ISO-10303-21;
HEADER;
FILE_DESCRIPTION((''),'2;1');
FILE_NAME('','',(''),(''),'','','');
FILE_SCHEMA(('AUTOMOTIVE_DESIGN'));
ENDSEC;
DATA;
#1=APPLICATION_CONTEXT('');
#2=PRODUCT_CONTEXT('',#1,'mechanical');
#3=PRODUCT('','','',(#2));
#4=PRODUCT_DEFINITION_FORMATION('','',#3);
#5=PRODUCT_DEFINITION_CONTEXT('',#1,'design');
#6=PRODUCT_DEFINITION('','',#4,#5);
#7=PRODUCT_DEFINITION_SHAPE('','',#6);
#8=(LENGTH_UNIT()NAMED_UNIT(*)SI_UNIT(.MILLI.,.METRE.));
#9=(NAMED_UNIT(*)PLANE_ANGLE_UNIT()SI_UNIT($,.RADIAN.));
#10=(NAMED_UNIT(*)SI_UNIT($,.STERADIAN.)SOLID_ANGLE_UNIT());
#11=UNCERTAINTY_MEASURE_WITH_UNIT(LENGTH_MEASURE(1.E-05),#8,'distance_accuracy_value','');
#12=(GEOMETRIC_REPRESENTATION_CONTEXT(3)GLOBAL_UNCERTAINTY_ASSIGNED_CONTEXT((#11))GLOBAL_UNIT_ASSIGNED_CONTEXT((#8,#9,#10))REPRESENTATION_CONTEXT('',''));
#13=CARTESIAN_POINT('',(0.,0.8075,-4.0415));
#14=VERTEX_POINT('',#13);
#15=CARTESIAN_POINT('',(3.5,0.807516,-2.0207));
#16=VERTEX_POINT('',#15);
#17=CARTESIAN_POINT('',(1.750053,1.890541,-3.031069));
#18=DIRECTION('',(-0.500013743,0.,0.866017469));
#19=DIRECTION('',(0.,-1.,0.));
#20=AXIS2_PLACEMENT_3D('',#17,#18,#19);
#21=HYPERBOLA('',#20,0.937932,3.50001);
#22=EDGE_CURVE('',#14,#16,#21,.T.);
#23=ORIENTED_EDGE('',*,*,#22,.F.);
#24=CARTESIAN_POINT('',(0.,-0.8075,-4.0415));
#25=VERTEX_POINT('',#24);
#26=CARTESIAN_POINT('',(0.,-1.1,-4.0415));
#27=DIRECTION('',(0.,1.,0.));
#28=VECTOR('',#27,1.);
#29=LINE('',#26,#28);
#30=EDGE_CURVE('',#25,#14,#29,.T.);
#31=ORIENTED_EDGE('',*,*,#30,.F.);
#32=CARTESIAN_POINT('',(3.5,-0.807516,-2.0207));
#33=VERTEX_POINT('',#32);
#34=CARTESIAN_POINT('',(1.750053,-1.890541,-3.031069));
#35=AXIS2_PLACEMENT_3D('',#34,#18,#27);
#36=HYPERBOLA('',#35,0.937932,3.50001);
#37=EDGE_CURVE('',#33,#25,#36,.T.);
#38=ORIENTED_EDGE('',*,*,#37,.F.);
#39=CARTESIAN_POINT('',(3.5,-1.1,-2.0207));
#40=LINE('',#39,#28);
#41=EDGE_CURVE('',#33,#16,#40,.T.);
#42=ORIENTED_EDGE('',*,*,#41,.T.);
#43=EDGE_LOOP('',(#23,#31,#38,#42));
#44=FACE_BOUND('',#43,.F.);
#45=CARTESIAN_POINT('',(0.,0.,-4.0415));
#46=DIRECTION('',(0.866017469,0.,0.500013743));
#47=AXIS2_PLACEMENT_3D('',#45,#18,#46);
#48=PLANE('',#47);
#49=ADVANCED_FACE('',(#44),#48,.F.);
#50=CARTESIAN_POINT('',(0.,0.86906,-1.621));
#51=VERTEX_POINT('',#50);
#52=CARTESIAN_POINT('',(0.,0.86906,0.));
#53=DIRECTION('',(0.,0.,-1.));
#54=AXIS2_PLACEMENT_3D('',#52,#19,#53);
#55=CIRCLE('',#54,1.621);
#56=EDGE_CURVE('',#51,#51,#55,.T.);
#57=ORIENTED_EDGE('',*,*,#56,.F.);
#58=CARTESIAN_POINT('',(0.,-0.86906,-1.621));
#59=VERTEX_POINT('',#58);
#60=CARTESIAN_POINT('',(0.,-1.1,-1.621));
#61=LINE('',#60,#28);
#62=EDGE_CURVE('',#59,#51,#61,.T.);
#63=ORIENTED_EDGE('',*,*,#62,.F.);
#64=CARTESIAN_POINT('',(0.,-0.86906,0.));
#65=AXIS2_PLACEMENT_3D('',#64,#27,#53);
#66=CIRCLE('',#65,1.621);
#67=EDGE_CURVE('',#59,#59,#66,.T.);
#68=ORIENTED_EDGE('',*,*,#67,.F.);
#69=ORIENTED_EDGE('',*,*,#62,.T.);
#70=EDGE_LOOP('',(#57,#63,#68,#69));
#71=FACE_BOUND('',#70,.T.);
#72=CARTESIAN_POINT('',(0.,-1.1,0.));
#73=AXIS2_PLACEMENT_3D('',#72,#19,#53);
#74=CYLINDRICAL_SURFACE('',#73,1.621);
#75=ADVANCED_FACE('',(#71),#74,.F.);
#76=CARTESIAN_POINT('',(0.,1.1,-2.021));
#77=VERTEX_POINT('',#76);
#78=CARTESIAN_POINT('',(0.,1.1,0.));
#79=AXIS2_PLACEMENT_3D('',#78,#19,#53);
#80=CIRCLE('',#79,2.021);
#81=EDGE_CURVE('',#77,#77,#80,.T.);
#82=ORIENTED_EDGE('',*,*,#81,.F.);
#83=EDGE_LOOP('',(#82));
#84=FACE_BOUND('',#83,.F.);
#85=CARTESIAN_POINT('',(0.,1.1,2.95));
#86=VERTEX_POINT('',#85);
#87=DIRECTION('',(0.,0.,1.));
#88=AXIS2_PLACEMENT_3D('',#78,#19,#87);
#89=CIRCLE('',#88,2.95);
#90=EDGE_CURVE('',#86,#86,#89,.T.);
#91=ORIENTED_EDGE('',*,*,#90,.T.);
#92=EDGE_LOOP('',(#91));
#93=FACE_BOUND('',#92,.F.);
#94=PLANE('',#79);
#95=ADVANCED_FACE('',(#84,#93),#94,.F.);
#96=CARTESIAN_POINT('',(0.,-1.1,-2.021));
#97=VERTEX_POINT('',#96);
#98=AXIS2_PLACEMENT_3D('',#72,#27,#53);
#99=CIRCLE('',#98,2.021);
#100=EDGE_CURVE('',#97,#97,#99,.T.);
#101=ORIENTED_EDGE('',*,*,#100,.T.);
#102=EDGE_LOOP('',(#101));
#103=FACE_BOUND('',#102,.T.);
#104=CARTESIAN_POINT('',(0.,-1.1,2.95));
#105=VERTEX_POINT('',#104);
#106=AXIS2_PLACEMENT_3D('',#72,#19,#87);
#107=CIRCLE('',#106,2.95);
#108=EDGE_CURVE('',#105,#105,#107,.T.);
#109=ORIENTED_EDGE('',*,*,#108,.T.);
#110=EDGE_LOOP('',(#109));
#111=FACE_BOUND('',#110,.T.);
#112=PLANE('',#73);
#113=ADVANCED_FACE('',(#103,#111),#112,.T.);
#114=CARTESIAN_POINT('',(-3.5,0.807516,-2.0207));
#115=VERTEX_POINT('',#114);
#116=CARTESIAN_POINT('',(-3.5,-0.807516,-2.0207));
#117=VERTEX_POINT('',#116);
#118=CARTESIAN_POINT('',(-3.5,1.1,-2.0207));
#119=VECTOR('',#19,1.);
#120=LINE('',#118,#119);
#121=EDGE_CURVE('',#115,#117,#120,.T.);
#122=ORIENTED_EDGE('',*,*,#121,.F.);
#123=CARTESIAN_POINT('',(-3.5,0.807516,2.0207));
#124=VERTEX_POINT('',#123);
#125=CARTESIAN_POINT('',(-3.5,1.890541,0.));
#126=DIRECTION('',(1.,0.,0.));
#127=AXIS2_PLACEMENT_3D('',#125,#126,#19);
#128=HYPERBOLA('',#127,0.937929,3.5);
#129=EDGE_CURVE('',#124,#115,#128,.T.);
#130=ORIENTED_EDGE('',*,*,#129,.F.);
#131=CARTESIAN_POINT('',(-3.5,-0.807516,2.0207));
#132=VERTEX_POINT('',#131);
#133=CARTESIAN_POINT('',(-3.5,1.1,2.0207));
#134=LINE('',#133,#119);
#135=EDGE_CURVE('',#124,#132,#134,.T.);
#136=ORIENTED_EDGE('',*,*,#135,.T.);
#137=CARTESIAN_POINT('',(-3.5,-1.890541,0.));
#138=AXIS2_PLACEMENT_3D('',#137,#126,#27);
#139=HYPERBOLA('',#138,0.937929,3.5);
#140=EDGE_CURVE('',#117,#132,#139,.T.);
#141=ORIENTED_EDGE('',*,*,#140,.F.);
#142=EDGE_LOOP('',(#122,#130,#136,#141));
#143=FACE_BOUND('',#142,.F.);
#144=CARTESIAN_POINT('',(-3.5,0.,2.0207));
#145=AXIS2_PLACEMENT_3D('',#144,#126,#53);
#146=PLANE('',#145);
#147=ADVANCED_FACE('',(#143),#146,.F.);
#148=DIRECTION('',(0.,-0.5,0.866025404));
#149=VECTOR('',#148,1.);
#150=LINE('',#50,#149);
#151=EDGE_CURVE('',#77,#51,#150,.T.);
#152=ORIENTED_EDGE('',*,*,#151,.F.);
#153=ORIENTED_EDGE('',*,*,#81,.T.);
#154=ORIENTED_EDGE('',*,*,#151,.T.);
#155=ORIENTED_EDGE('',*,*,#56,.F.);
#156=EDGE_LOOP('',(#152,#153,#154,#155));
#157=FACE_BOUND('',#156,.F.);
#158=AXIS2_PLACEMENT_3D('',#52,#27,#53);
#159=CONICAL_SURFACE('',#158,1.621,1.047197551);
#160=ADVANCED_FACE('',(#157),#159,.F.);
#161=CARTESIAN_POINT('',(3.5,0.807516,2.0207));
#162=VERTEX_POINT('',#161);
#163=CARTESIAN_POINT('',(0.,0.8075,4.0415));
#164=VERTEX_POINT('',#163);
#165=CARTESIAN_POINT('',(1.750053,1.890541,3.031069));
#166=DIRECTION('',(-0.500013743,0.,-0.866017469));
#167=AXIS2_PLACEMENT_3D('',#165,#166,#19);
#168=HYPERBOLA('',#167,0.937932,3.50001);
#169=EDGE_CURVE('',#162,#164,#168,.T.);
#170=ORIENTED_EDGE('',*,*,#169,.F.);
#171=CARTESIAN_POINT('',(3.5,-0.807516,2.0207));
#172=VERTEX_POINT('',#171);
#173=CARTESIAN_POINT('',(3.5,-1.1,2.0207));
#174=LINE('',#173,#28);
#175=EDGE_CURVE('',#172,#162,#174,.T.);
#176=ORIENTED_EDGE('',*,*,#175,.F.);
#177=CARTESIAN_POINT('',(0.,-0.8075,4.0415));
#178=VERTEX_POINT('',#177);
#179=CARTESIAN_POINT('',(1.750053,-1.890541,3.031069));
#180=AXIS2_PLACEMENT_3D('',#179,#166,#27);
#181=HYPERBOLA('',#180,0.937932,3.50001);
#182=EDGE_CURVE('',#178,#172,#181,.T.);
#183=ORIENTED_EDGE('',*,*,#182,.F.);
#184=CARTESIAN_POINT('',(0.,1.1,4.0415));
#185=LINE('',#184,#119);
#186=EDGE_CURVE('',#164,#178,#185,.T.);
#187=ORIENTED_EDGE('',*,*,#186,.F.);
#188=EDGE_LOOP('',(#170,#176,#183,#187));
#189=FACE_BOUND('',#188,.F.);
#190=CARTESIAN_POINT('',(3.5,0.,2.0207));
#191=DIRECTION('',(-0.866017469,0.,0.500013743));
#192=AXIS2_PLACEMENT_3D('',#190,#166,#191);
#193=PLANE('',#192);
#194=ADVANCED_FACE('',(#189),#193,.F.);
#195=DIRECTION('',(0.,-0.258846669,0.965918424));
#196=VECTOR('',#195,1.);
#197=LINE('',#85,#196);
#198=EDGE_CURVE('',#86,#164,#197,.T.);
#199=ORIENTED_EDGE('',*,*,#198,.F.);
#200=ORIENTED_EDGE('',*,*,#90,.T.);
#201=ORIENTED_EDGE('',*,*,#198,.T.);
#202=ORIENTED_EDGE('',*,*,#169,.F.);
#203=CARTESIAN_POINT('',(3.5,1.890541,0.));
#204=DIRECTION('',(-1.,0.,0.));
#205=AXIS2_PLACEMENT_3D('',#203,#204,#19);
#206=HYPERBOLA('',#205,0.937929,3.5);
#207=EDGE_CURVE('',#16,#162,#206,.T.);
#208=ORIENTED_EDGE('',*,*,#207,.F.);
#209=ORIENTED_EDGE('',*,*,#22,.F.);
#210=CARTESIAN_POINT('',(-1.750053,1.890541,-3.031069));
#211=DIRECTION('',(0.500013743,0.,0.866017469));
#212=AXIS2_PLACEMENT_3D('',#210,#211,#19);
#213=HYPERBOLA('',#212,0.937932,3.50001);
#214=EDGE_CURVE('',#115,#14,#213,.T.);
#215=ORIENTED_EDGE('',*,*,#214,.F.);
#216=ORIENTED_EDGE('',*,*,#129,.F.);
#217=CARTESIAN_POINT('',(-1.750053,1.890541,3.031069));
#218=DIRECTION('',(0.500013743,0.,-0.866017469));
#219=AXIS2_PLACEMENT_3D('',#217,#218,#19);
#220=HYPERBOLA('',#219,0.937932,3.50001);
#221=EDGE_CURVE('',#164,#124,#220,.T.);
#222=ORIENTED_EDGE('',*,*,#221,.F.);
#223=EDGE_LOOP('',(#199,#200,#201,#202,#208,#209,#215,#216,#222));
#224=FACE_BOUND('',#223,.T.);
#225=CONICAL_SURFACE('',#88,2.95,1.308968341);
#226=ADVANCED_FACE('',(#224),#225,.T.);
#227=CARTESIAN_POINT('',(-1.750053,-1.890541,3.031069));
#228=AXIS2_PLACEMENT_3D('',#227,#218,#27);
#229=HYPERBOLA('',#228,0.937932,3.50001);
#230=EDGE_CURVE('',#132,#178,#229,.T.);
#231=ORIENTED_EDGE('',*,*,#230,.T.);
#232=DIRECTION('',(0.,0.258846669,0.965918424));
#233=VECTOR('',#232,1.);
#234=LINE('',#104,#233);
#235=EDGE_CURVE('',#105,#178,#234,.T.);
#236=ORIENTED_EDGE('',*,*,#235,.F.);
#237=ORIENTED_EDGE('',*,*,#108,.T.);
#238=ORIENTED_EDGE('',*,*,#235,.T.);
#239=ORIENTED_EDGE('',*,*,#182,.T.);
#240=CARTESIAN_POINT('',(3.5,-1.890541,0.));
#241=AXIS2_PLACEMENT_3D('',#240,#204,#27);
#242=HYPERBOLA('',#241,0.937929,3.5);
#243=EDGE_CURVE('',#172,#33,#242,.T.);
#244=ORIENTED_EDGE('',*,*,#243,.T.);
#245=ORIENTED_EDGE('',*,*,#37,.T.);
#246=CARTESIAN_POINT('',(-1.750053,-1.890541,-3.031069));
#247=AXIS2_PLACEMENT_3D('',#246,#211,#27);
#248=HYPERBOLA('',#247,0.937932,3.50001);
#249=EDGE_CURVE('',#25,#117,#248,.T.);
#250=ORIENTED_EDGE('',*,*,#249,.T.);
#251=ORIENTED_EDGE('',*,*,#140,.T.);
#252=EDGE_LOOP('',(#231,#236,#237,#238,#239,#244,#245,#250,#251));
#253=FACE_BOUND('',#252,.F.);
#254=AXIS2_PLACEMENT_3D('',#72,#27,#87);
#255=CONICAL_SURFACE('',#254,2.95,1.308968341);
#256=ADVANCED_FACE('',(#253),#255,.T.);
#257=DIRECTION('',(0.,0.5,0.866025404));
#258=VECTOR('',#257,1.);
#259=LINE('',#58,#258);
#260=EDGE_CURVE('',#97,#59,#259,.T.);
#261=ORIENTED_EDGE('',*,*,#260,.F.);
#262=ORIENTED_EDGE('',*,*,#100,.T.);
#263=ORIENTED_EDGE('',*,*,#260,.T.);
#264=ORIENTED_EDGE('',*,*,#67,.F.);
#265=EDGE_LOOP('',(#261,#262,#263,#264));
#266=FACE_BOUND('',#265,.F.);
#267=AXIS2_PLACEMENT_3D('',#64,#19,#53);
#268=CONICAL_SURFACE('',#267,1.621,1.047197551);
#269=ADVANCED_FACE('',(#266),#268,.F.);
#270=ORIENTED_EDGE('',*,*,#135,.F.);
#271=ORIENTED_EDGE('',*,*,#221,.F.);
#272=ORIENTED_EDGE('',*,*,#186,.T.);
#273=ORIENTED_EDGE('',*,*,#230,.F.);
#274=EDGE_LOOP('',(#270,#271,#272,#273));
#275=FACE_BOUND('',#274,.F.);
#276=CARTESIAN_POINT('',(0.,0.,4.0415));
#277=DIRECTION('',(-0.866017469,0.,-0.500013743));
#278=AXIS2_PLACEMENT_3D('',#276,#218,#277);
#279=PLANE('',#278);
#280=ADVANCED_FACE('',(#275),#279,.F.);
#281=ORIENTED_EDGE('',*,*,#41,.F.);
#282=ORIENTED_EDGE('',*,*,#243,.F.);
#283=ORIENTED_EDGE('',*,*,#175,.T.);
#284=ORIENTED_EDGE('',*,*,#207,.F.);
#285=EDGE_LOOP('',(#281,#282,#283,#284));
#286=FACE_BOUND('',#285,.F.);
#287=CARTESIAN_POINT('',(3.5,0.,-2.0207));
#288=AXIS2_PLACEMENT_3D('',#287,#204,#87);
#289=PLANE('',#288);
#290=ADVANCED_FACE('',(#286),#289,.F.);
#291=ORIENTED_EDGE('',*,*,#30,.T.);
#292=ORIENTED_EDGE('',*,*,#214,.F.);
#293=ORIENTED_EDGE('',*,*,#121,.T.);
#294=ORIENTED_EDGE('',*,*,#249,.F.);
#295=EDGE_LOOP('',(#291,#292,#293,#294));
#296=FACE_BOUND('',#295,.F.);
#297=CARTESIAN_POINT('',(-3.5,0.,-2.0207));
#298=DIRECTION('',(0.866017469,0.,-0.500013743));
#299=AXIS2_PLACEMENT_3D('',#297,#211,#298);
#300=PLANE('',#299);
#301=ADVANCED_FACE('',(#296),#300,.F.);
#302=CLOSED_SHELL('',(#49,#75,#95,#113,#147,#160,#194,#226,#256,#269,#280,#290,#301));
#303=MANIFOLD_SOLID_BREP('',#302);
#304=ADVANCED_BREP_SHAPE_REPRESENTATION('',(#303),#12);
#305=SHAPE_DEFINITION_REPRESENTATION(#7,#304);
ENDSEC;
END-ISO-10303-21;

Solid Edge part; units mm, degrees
sketch "Sketch1" plane through (0, 0, 0) normal (0, -1, 0) x (1, 0, 0)
  line L0 (3.5, 2.0207) -> (0, 4.0415)
  line L1 (0, 4.0415) -> (-3.5, 2.0207)
  line L2 (-3.5, 2.0207) -> (-3.5, -2.0207)
  line L3 (-3.5, -2.0207) -> (0, -4.0415)
  line L4 (0, -4.0415) -> (3.5, -2.0207)
  line L5 (3.5, -2.0207) -> (3.5, 2.0207)
extrude "Protrusion1" add sketch "Sketch1" along normal mid plane 2.2
sketch "Sketch2" plane through (0, 0, 0) normal (1, 0, 0) x (0, 1, 0)
  line L0 (-1.1, 2.95) -> (-0.8075, 4.0415)
revolve "RevolvedCutout1" cut sketch "Sketch2" angle 360 about axis through (0, 0, 0) along (0, -1, 0) material side at (0, -1.002, 3.5087)
mirror "Mirror1" about plane through (0, 0, 0) normal (0, -1, 0) of "RevolvedCutout1"
hole "孔_7" at (0, -1.1, 0) direction (0, 1, 0) diameter 3.242 end up to next start chamfer 0.4 start chamfer angle 60 end chamfer 0.4 end chamfer angle 60
